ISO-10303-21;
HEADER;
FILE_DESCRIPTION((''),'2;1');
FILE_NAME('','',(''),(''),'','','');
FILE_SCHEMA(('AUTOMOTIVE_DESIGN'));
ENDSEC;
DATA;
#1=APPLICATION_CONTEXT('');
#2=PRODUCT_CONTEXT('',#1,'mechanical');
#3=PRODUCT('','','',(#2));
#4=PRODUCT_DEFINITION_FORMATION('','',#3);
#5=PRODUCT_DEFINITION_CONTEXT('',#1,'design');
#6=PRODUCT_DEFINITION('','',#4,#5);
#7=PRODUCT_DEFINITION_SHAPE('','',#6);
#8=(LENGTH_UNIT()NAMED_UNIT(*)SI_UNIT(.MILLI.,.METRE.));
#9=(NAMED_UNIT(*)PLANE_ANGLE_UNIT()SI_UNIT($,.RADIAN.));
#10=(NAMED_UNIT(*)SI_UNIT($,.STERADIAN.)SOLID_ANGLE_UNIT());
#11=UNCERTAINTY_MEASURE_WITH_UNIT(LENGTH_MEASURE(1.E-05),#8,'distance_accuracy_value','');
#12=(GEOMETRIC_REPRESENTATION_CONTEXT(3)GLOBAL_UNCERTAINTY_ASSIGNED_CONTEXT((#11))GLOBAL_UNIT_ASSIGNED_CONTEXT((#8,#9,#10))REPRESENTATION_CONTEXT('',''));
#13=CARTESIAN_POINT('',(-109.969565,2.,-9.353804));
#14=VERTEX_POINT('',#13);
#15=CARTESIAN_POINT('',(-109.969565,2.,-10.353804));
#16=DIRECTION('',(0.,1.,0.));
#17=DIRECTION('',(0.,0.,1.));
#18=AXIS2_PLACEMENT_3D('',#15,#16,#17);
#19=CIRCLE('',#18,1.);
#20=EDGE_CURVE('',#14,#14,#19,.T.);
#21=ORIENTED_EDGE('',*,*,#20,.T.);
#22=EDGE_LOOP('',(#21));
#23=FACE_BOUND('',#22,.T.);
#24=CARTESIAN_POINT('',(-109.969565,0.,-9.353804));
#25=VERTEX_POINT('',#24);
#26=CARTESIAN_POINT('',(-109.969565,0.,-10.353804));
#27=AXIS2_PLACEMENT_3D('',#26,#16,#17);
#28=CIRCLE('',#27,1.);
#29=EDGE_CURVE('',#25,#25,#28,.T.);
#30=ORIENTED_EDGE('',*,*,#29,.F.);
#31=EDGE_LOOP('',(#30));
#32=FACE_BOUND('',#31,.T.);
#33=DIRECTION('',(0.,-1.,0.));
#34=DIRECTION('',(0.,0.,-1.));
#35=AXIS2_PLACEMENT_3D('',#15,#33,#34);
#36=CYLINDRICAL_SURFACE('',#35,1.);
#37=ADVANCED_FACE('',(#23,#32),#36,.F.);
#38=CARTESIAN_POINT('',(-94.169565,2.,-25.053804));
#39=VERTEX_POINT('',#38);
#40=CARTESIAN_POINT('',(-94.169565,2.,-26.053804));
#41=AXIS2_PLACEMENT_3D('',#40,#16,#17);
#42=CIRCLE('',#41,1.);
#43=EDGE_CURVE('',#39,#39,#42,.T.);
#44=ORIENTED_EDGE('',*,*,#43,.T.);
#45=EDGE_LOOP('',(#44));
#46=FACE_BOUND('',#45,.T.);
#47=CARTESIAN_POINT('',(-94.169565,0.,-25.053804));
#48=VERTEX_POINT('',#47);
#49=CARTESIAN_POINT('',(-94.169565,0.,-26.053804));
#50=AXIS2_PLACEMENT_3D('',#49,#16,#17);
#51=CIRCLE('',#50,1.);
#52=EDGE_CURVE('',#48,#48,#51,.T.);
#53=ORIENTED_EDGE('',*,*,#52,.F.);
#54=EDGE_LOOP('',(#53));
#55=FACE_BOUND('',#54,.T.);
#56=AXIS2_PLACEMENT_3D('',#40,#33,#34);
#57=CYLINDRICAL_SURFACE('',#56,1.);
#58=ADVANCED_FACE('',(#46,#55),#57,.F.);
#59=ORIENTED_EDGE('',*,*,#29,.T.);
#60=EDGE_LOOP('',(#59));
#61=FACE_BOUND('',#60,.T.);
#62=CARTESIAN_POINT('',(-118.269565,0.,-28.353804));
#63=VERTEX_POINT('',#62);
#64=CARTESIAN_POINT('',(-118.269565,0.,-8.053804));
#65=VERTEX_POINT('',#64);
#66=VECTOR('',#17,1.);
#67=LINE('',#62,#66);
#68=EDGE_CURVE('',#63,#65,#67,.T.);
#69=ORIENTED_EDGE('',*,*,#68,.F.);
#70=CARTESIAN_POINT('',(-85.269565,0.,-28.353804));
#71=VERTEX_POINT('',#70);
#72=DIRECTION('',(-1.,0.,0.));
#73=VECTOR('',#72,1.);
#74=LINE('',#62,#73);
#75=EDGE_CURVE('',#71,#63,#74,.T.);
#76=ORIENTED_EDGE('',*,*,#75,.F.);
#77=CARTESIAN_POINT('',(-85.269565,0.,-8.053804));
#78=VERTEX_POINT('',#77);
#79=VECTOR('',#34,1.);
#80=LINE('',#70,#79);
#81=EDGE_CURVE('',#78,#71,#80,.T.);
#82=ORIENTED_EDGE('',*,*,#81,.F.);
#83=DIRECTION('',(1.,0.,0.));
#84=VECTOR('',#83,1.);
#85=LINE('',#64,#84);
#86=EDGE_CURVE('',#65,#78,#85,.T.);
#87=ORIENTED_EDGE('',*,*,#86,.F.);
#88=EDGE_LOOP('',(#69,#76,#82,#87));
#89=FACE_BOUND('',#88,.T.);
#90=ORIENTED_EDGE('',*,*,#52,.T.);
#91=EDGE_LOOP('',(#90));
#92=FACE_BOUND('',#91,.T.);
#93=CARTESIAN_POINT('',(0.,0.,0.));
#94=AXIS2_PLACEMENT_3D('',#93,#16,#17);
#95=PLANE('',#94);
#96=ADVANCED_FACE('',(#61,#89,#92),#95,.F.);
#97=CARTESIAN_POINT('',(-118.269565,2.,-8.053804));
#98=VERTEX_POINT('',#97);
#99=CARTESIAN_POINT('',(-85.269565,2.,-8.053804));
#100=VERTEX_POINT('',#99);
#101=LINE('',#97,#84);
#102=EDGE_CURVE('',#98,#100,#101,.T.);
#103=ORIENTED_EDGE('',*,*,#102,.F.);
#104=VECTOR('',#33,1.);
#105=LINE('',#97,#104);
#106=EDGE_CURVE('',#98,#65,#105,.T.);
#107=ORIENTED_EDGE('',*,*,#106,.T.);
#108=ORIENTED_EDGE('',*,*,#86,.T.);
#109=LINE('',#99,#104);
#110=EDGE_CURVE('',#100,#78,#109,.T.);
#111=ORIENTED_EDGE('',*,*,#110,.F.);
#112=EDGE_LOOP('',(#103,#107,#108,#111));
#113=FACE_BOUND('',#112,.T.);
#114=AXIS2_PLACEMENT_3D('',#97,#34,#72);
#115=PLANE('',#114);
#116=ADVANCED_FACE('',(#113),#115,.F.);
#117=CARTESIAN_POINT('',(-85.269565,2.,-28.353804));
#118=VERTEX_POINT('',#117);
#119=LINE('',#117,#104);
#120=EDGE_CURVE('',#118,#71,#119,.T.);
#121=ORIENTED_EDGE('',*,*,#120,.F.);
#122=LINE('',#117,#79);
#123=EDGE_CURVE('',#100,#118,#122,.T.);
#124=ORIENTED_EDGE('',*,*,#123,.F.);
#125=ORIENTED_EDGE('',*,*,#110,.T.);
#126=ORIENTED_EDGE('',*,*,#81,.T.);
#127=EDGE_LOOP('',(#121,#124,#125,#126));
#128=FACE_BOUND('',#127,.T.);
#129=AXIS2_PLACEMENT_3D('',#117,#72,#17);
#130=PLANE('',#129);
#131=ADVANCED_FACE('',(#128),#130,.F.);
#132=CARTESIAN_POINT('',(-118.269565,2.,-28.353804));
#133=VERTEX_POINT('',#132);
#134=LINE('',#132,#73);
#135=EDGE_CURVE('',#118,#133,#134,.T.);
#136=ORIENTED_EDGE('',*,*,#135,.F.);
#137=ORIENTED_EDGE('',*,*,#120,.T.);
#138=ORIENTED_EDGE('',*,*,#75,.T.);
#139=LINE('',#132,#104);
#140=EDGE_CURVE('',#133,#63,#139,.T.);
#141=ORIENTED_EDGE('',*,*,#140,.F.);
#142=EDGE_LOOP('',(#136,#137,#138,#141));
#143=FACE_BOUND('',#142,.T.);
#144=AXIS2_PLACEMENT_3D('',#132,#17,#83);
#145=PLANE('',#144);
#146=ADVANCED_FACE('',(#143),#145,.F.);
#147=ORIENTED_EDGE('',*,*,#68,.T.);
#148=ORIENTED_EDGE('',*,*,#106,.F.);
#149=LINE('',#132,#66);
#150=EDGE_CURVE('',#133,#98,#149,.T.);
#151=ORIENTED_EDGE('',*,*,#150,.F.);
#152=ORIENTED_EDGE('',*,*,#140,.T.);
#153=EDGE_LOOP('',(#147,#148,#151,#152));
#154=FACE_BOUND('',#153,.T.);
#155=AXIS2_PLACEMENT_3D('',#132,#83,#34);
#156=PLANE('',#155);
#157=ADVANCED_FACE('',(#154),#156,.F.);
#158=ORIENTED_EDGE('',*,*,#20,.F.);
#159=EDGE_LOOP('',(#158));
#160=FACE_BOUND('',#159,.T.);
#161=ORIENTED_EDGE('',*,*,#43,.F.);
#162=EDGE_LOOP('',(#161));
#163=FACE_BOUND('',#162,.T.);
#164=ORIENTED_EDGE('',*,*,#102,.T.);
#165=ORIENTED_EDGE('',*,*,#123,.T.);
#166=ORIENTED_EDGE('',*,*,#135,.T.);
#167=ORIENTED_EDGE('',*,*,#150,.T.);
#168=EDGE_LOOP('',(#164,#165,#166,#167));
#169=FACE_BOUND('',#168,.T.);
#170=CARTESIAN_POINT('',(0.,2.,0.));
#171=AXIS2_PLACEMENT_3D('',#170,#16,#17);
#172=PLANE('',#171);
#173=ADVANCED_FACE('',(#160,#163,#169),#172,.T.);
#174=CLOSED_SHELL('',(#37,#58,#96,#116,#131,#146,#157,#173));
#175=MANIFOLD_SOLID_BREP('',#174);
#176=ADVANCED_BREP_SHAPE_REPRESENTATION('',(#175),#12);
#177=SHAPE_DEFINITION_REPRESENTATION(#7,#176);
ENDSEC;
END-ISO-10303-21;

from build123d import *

# Parameters (mm, degrees)
SKETCH1_W           = 33
SKETCH1_H           = 20.3
SKETCH1_R           = 1
BOSS_EXTRUDE1_DEPTH = 2


with BuildPart() as part:
    # Sketch1 → Boss-Extrude1 (new body)
    with BuildSketch(Plane(origin=(0, 0, 0), x_dir=(1, 0, 0), z_dir=(0, 1, 0))):
        with Locations((-101.769565217, 18.203804348)):
            Rectangle(SKETCH1_W, SKETCH1_H)
        with Locations(Location((-109.969565217, 10.353804348, 0), (0, 0, 270))):
            Circle(SKETCH1_R, mode=Mode.SUBTRACT)
        with Locations(Location((-94.169565217, 26.053804348, 0), (0, 0, 270))):
            Circle(SKETCH1_R, mode=Mode.SUBTRACT)
    extrude(amount=BOSS_EXTRUDE1_DEPTH)


solid = part.part
